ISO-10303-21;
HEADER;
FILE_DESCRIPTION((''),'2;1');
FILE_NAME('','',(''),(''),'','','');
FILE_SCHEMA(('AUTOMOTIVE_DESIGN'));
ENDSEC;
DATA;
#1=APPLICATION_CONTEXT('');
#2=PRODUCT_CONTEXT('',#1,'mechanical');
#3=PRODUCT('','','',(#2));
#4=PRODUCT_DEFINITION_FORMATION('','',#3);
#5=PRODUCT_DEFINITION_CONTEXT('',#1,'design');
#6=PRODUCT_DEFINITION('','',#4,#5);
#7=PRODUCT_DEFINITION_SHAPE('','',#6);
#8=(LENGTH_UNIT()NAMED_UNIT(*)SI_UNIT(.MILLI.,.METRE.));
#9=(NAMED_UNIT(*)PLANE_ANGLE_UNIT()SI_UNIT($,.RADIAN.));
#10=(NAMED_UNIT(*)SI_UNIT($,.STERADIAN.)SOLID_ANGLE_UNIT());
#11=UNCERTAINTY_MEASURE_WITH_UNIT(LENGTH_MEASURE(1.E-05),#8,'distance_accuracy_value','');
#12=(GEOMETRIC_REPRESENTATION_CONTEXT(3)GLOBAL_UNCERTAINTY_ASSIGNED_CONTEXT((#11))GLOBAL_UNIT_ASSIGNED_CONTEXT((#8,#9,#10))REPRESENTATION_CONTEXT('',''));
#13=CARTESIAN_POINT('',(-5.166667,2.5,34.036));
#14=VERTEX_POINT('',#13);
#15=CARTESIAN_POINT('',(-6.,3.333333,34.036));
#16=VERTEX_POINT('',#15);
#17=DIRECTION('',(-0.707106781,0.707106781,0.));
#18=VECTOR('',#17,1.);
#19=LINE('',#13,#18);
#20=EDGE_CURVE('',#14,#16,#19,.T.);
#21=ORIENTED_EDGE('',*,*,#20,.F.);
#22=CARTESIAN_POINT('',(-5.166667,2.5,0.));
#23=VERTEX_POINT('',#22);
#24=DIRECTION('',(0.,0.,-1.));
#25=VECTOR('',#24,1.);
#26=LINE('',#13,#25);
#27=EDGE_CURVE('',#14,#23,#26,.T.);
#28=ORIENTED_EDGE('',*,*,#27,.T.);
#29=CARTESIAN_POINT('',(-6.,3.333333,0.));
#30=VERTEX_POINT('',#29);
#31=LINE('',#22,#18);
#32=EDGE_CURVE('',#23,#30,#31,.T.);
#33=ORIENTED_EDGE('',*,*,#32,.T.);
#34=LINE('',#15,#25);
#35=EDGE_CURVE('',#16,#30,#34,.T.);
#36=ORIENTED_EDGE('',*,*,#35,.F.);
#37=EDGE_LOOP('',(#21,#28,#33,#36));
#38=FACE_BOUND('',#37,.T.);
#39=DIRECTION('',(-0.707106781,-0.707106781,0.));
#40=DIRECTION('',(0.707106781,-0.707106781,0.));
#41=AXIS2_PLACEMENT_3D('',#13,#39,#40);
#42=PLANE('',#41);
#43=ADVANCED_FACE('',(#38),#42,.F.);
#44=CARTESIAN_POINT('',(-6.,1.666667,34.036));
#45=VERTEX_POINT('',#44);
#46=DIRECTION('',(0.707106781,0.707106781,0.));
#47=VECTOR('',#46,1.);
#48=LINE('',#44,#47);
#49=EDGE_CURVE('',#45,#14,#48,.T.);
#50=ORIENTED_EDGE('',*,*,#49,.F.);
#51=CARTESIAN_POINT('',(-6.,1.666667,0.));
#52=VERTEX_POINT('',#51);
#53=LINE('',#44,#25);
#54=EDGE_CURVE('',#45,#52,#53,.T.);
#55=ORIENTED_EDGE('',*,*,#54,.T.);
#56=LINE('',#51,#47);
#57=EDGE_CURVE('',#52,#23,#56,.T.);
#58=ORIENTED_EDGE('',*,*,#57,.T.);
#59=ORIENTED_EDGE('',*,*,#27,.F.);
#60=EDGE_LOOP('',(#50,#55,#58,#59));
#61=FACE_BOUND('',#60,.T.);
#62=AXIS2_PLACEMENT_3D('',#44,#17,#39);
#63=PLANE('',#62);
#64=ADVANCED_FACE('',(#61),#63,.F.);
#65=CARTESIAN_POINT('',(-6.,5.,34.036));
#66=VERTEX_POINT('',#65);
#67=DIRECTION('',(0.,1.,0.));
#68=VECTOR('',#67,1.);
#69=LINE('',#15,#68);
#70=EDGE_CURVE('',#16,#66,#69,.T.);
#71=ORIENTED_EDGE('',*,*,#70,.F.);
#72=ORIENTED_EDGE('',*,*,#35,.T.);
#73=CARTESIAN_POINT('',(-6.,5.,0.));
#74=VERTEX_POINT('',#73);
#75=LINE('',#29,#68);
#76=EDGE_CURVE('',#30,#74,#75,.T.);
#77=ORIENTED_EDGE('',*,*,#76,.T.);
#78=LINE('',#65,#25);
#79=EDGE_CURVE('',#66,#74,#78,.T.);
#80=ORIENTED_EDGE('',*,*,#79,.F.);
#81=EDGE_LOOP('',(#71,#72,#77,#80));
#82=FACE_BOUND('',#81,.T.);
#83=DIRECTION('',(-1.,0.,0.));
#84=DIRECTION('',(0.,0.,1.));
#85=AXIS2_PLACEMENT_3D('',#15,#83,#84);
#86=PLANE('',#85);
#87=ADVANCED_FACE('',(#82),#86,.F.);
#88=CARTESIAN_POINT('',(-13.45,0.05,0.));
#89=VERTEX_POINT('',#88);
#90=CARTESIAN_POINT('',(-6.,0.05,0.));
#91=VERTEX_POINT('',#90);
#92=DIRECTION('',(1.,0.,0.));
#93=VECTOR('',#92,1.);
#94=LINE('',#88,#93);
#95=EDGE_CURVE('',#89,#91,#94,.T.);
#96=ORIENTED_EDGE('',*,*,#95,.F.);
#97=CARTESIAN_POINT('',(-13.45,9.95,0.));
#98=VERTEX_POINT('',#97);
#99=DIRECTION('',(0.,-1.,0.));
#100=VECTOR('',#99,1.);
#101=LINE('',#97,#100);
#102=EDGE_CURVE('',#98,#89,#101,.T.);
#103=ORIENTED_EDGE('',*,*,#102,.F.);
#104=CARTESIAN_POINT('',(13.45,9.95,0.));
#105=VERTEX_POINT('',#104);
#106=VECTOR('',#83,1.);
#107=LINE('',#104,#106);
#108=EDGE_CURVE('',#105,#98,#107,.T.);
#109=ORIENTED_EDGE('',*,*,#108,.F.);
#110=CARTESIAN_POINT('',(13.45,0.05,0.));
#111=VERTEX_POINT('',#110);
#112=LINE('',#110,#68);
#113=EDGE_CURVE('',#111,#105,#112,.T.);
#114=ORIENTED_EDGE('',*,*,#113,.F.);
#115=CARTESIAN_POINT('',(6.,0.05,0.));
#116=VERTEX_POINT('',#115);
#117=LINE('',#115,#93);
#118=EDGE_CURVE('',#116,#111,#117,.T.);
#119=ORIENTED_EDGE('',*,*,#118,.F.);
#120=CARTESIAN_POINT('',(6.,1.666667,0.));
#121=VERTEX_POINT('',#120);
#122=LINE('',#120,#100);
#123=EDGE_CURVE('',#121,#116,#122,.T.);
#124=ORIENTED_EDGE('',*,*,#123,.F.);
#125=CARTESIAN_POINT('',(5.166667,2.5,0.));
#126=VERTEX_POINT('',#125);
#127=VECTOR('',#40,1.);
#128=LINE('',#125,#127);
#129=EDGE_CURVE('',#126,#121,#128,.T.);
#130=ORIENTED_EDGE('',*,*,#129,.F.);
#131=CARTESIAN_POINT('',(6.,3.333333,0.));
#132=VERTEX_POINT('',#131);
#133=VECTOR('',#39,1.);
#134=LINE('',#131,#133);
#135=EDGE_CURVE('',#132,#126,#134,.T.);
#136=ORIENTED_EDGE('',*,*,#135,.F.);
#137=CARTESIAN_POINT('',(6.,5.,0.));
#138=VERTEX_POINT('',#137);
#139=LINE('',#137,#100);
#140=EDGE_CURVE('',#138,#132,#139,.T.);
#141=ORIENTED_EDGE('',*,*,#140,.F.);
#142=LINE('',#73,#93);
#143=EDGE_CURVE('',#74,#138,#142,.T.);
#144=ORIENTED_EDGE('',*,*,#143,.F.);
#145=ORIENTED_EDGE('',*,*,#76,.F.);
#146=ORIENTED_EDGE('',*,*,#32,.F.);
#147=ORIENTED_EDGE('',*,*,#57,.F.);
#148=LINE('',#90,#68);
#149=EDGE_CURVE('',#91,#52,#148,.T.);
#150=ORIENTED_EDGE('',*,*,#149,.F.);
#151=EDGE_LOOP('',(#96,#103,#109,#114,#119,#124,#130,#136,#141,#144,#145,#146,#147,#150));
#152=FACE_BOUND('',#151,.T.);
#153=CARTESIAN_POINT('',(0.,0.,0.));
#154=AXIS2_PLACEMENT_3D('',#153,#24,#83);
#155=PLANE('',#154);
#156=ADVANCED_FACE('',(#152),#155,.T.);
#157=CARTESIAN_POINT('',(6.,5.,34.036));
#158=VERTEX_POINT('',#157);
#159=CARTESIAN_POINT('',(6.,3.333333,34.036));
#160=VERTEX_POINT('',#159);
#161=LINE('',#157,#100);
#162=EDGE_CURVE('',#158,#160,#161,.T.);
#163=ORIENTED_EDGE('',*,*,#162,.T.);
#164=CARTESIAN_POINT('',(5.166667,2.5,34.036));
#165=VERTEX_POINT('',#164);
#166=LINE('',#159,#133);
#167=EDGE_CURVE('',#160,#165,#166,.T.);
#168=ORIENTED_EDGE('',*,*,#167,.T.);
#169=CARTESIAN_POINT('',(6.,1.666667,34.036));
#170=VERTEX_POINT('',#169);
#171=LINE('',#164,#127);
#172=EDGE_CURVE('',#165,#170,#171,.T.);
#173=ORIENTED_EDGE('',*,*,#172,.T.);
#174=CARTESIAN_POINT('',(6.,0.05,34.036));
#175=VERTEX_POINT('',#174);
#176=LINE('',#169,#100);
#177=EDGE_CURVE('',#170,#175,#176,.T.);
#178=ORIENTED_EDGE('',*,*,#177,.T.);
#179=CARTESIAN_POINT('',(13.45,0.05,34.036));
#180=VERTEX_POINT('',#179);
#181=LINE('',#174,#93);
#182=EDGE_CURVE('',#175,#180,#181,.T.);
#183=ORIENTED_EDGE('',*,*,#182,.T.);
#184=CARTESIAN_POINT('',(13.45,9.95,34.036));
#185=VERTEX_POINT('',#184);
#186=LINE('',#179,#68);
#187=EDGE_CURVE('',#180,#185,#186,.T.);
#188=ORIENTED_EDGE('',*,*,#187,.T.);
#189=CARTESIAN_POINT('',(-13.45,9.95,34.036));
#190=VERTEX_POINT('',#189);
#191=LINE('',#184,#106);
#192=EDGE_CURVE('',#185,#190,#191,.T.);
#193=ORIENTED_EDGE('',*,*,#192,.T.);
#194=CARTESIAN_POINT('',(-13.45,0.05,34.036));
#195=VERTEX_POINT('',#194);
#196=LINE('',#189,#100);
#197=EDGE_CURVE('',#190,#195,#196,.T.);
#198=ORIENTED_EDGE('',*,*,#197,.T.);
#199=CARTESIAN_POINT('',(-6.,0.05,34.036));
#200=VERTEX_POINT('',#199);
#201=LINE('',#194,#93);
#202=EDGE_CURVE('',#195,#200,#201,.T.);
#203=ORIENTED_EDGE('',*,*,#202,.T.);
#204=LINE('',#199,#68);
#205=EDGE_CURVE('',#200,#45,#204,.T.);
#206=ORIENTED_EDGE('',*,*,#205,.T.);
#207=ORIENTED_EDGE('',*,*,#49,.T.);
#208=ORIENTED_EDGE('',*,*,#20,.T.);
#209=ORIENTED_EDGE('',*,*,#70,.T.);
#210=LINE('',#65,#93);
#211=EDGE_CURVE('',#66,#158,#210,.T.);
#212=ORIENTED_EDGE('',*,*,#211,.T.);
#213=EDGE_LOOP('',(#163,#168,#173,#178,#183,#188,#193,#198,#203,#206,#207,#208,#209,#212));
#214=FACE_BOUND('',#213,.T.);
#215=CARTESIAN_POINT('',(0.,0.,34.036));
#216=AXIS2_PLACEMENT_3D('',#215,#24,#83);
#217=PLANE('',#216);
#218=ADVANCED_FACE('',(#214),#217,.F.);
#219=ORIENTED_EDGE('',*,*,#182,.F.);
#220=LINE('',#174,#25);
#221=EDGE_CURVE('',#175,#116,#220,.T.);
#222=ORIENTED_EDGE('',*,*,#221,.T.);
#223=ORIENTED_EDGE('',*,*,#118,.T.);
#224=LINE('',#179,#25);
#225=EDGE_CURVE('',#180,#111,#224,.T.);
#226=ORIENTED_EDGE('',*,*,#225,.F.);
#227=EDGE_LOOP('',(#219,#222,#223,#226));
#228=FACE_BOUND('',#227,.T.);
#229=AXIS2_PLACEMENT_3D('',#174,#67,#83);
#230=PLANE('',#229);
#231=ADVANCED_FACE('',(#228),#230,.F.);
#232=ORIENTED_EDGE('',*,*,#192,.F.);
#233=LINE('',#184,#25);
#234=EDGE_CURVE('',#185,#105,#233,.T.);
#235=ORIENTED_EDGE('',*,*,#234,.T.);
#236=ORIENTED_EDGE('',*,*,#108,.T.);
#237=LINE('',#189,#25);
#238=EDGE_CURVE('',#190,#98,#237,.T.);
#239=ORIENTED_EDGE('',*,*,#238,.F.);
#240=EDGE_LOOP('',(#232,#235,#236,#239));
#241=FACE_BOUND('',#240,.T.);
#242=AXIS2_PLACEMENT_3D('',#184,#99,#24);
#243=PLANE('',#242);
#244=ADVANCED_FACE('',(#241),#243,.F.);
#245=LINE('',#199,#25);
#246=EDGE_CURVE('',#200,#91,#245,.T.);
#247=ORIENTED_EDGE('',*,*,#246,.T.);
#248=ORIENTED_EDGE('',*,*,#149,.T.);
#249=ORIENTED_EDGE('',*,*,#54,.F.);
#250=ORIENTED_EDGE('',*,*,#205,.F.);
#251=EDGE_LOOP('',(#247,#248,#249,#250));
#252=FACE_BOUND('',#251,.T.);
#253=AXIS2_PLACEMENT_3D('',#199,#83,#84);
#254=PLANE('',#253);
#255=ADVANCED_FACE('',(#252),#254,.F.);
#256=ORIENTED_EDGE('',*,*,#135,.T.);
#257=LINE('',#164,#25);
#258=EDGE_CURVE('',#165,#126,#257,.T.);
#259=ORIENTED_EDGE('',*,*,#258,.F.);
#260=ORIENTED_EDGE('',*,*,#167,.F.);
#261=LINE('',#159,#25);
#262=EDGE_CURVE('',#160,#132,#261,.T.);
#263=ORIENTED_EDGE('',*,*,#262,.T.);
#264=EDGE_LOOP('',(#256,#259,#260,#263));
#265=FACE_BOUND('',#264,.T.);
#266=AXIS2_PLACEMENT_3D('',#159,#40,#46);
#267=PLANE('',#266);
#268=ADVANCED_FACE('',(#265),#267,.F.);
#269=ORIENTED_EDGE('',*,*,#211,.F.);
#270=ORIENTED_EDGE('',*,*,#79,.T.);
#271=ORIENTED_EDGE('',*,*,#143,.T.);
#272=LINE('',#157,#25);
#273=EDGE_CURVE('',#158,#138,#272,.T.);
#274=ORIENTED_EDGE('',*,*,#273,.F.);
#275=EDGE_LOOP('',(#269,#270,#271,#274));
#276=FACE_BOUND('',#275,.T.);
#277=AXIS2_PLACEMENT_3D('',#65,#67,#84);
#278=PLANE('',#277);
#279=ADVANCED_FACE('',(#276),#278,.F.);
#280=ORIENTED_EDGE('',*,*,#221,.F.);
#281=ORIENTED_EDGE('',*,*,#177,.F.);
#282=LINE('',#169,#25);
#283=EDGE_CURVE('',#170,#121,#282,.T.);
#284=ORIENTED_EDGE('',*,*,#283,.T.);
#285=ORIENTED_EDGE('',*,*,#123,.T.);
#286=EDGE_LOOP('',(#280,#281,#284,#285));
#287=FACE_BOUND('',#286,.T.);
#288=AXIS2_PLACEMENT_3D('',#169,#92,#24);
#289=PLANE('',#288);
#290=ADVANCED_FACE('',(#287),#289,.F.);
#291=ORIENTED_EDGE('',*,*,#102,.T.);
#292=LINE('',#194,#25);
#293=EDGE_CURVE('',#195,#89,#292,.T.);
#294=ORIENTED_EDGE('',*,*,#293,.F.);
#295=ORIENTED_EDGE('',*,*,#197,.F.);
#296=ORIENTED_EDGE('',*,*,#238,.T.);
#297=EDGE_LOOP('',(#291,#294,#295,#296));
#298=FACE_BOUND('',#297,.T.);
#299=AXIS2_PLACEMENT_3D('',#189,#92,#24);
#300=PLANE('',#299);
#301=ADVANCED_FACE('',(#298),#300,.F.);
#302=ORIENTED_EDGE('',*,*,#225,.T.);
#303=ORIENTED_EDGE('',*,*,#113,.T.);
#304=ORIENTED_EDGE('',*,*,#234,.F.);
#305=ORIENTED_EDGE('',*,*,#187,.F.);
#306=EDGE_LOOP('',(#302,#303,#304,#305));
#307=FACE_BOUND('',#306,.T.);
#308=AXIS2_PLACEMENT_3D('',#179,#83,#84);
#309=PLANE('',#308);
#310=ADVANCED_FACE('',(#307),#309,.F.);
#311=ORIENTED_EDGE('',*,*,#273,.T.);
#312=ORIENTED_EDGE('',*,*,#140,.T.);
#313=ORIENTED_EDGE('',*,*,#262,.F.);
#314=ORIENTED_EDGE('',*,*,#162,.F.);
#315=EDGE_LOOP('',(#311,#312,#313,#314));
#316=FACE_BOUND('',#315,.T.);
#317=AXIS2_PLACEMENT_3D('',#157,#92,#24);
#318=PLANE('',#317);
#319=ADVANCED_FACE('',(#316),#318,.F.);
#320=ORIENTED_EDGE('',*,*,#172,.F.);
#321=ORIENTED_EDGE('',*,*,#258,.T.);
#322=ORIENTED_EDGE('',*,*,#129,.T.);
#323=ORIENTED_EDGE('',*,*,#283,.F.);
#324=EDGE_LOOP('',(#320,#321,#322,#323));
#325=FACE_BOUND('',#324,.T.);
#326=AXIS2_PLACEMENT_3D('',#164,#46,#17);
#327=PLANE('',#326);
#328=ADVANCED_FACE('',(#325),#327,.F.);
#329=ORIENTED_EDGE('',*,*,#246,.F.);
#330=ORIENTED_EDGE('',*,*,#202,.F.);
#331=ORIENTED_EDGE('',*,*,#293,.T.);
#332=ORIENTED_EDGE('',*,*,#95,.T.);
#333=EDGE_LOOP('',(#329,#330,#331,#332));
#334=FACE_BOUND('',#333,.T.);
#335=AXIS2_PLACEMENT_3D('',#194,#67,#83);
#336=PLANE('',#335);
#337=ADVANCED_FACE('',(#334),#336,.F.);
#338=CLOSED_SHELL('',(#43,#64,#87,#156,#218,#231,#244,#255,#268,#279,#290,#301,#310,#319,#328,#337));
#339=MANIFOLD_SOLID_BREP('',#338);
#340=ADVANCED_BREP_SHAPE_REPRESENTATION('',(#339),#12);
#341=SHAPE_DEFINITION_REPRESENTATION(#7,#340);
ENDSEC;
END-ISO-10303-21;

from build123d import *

# Parameters (mm, degrees)
BOSS_EXTRUDE1_DEPTH = 34.036


with BuildPart() as part:
    # Sketch1 → Boss-Extrude1 (new body)
    with BuildSketch(Plane.XY):
        Polygon((-6, 1.666666667), (-5.166666667, 2.5), (-6, 3.333333333), (-6, 5), (6, 5), (6, 3.333333333), (5.166666667, 2.5), (6, 1.666666667), (6, 0.05), (13.45, 0.05), (13.45, 9.95), (-13.45, 9.95), (-13.45, 0.05), (-6, 0.05), align=None)
    extrude(amount=BOSS_EXTRUDE1_DEPTH)


solid = part.part
